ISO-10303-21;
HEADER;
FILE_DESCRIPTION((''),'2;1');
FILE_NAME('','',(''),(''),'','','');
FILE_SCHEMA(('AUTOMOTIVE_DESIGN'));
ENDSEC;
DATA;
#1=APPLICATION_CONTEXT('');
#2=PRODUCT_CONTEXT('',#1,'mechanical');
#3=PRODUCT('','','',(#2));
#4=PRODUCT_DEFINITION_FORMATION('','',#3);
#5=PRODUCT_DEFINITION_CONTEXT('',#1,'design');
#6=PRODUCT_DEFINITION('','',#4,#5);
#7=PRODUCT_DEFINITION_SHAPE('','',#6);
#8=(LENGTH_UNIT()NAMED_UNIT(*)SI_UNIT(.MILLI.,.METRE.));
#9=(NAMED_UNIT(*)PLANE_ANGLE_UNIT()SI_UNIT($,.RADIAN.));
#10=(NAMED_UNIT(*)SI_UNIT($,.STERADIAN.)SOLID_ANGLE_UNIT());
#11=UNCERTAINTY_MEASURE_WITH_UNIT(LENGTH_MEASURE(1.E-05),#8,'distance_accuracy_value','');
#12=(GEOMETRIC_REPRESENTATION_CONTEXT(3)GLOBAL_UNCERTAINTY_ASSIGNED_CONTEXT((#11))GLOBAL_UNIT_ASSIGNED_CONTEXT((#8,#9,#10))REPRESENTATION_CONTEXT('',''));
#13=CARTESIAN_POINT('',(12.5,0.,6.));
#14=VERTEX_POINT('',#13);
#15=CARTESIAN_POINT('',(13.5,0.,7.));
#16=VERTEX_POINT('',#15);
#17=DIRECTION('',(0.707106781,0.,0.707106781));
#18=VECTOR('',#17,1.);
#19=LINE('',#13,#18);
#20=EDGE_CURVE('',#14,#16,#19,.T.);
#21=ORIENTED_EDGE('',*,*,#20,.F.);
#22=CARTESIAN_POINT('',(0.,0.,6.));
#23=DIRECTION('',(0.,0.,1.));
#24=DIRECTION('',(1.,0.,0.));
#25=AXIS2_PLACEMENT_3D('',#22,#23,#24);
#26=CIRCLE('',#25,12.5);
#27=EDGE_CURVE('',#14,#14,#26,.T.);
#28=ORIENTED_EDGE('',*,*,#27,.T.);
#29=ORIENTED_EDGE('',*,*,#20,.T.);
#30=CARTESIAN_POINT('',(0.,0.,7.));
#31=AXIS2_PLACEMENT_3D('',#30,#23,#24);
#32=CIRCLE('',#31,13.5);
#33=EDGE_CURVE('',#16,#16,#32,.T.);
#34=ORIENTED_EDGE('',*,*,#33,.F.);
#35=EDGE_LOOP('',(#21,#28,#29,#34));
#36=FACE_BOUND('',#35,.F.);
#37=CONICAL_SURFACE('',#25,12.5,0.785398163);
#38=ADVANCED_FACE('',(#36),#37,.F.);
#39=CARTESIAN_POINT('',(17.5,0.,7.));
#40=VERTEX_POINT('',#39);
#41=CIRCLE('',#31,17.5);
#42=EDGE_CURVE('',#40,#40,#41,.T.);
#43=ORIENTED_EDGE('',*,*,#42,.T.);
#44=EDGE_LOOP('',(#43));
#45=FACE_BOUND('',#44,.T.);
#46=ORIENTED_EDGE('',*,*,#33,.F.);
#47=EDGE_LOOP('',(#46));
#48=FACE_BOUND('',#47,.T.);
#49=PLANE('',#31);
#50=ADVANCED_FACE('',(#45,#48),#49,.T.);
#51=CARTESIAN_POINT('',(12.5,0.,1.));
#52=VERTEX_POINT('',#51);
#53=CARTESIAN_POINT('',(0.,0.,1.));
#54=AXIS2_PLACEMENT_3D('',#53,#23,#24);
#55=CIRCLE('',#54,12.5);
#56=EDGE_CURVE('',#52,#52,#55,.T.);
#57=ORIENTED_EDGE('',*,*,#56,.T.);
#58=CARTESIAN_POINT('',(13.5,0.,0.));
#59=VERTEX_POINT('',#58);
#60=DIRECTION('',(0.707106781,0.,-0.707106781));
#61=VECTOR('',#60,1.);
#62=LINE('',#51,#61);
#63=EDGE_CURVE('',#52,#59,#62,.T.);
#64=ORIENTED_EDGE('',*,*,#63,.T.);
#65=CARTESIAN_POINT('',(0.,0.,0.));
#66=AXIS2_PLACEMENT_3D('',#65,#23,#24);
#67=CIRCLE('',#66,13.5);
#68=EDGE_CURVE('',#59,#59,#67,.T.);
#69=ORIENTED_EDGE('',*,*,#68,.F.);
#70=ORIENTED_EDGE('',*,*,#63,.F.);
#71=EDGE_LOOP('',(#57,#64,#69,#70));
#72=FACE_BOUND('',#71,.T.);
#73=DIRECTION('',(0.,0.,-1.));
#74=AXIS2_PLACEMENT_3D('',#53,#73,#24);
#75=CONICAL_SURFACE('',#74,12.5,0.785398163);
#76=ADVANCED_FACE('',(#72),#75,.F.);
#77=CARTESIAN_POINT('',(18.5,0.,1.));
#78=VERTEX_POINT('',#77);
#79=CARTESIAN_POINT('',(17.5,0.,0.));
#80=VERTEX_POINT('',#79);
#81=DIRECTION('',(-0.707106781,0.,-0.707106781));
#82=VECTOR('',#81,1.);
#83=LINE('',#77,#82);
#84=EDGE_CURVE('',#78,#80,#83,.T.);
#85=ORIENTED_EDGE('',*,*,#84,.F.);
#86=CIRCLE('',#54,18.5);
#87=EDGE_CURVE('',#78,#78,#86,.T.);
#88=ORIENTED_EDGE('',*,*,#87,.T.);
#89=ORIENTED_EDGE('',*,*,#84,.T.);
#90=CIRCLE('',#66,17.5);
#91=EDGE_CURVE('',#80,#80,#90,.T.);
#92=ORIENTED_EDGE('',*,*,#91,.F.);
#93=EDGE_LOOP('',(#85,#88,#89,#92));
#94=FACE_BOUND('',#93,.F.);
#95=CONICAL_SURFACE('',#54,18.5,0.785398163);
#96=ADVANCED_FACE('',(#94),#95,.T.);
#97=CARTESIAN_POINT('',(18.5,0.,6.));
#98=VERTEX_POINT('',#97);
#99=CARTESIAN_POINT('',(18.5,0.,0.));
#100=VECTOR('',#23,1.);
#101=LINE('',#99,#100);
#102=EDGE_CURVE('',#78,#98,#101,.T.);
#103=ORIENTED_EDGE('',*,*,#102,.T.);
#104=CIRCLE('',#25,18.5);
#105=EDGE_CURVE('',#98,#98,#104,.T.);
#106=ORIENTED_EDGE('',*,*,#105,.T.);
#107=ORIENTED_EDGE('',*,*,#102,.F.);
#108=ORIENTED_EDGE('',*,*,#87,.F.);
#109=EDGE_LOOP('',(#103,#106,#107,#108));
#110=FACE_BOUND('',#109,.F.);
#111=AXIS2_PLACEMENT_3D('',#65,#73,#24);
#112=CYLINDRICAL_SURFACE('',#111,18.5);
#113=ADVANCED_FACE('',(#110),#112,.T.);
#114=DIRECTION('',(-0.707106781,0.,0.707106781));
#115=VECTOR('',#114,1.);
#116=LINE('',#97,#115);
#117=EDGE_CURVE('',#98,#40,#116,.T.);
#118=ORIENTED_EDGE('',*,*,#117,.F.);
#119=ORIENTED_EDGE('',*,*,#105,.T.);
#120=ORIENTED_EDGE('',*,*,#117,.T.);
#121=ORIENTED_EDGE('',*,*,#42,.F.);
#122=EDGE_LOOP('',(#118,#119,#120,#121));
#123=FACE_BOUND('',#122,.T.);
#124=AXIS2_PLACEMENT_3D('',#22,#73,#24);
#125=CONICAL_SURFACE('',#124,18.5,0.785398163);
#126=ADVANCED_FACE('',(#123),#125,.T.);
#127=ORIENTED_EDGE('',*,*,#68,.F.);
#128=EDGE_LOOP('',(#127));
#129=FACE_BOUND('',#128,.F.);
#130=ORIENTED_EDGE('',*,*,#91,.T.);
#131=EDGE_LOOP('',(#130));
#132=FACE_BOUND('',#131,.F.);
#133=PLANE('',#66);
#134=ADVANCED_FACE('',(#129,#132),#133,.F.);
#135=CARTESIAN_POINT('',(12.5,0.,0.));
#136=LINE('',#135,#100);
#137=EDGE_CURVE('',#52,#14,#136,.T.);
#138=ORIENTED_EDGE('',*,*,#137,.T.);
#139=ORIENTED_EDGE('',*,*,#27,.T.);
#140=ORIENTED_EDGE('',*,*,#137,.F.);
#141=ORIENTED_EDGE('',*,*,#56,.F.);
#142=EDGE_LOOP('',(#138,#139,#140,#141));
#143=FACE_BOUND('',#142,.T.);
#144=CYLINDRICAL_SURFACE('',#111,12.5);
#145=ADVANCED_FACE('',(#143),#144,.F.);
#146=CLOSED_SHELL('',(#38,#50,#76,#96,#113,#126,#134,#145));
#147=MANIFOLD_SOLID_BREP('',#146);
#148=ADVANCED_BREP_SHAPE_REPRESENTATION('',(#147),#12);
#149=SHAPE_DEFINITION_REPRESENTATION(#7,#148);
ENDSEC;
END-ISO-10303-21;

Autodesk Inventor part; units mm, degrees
ref_plane "YZ Plane" through (0, 0, 0) normal (1, 0, 0) x (0, 1, 0)
ref_plane "XZ Plane" through (0, 0, 0) normal (0, 1, 0) x (-1, 0, 0)
ref_plane "XY Plane" through (0, 0, 0) normal (0, 0, 1) x (1, 0, 0)
sketch "Szkic1" plane through (0, 0, 0) normal (0, 0, 1) x (1, 0, 0)
  circle A0 centre (0, 0) radius 12.5
  circle A1 centre (0, 0) radius 18.5
  dimension "d0" = 25
  dimension "d1" = 37
extrude "Wyciągnięcie proste1" add sketch "Szkic1" along normal blind 7
chamfer "Faza1" distance 1 angle 45 4 edges at (-18.5, 0, 7) (-12.5, 0, 7) (-12.5, 0, 0) (-18.5, 0, 0)
properties part number "Cartesian2_BallBearing_25x37x7" material "Stal, węglowa"
